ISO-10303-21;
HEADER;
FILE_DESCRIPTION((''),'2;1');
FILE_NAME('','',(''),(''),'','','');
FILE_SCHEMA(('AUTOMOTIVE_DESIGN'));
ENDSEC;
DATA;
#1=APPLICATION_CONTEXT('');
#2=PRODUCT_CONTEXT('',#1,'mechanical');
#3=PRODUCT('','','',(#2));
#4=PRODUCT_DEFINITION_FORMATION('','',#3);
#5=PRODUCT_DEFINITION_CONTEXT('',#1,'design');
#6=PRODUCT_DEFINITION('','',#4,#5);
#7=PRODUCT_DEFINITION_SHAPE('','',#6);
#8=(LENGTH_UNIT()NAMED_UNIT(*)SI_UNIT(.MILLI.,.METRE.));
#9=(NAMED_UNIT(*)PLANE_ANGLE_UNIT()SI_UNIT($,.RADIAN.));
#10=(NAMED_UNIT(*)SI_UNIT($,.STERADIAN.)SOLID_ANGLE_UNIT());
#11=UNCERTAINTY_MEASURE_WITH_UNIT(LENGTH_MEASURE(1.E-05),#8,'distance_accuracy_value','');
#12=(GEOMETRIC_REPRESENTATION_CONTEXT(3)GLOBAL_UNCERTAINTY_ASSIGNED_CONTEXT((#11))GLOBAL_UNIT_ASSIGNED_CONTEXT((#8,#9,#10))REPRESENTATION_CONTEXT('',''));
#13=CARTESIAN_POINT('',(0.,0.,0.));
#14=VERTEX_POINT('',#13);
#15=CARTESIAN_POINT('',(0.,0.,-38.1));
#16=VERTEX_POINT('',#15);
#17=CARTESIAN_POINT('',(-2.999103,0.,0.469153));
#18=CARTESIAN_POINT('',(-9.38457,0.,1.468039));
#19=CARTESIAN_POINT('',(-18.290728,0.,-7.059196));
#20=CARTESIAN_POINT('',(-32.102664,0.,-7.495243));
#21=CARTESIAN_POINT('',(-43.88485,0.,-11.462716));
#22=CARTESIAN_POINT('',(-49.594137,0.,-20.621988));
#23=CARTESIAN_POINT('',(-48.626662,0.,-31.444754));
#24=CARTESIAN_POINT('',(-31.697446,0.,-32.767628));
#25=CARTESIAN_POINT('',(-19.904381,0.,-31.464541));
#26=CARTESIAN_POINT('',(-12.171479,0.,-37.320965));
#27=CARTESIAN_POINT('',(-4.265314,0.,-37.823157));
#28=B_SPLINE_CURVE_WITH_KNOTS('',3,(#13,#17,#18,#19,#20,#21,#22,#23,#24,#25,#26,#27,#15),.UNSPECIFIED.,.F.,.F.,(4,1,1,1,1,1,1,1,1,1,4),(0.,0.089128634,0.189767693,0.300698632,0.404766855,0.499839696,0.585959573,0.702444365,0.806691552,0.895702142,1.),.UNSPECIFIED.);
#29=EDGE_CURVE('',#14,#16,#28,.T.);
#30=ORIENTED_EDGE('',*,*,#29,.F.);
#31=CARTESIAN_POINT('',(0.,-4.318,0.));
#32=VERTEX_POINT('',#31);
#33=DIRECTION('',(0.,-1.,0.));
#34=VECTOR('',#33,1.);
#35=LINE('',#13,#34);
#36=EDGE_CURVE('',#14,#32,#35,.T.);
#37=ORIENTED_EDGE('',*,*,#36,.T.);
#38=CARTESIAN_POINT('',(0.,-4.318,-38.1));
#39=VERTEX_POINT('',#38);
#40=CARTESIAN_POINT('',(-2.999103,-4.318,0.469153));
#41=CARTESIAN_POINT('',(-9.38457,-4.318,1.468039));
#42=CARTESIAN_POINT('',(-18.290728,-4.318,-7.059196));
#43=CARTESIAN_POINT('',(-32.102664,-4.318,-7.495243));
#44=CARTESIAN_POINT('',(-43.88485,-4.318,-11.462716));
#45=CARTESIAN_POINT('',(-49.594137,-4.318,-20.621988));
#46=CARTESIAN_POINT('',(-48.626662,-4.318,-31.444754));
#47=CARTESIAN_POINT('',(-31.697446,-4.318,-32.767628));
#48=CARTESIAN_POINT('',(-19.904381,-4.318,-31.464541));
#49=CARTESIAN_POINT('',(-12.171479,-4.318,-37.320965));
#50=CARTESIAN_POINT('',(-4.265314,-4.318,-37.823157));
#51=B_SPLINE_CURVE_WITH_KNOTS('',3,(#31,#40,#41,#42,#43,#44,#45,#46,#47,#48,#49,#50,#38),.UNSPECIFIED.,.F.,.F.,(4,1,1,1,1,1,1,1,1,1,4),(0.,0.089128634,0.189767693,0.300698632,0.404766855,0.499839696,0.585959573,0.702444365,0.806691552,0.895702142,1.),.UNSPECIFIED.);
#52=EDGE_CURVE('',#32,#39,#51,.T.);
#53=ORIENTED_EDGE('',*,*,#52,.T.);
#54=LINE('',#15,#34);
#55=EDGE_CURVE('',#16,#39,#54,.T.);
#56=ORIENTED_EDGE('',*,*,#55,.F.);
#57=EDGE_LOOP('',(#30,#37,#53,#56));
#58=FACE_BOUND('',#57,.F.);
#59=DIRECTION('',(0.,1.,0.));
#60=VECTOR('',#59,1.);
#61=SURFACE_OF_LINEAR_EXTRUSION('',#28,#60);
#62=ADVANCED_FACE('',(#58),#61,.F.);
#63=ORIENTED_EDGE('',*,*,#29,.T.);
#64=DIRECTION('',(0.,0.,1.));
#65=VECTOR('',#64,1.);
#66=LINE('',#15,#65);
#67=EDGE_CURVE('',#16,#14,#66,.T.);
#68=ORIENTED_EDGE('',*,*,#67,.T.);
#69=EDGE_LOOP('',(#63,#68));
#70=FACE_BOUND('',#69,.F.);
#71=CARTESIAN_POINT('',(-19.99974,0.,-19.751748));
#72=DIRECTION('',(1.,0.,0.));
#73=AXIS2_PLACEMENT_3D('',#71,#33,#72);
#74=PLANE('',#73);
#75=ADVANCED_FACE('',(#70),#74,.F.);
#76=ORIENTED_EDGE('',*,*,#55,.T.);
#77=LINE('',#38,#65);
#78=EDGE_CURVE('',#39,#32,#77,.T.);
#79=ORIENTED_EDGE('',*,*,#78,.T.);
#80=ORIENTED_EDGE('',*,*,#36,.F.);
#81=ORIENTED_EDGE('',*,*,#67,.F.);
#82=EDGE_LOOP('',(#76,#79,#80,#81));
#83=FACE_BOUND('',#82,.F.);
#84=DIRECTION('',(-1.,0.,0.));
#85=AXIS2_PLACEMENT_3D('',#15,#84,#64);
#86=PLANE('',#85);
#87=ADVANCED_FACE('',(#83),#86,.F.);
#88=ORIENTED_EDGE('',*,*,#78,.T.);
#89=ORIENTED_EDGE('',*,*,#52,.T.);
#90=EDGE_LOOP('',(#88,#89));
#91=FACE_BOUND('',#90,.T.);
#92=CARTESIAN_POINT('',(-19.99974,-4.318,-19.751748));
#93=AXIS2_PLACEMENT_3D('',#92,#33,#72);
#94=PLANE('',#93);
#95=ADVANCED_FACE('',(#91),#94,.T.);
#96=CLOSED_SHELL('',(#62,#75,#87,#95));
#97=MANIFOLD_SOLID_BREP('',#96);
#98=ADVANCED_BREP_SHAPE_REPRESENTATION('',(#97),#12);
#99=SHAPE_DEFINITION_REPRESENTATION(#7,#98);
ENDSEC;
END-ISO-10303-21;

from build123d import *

# Parameters (mm, degrees)
F1_DEPTH = 4.318


with BuildPart() as f1:
    # F0 (on Front) → F1 (new body)
    with BuildSketch(Plane.XZ):
        with BuildLine():
            Line((0, -38.1), (0, 0))
            add(Edge.make_bspline(
                [(0, 0), (-2.9991030835, 0.4691530443), (-9.3845698923, 1.4680386606), (-18.2907276532, -7.0591963575), (-32.102664496, -7.4952431113), (-43.8848499781, -11.4627157227), (-49.5941374163, -20.6219879268), (-48.6266620033, -31.444753917), (-31.6974456595, -32.7676277145), (-19.9043812336, -31.4645409102), (-12.1714786736, -37.3209647959), (-4.2653138431, -37.8231573643), (0, -38.1)],
                knots=[0, 0, 0, 0, 0.0891286337, 0.1897676929, 0.3006986319, 0.4047668548, 0.499839696, 0.5859595732, 0.7024443653, 0.806691552, 0.895702142, 1, 1, 1, 1], degree=3))
        make_face()
    extrude(amount=F1_DEPTH)


solid = f1.part
